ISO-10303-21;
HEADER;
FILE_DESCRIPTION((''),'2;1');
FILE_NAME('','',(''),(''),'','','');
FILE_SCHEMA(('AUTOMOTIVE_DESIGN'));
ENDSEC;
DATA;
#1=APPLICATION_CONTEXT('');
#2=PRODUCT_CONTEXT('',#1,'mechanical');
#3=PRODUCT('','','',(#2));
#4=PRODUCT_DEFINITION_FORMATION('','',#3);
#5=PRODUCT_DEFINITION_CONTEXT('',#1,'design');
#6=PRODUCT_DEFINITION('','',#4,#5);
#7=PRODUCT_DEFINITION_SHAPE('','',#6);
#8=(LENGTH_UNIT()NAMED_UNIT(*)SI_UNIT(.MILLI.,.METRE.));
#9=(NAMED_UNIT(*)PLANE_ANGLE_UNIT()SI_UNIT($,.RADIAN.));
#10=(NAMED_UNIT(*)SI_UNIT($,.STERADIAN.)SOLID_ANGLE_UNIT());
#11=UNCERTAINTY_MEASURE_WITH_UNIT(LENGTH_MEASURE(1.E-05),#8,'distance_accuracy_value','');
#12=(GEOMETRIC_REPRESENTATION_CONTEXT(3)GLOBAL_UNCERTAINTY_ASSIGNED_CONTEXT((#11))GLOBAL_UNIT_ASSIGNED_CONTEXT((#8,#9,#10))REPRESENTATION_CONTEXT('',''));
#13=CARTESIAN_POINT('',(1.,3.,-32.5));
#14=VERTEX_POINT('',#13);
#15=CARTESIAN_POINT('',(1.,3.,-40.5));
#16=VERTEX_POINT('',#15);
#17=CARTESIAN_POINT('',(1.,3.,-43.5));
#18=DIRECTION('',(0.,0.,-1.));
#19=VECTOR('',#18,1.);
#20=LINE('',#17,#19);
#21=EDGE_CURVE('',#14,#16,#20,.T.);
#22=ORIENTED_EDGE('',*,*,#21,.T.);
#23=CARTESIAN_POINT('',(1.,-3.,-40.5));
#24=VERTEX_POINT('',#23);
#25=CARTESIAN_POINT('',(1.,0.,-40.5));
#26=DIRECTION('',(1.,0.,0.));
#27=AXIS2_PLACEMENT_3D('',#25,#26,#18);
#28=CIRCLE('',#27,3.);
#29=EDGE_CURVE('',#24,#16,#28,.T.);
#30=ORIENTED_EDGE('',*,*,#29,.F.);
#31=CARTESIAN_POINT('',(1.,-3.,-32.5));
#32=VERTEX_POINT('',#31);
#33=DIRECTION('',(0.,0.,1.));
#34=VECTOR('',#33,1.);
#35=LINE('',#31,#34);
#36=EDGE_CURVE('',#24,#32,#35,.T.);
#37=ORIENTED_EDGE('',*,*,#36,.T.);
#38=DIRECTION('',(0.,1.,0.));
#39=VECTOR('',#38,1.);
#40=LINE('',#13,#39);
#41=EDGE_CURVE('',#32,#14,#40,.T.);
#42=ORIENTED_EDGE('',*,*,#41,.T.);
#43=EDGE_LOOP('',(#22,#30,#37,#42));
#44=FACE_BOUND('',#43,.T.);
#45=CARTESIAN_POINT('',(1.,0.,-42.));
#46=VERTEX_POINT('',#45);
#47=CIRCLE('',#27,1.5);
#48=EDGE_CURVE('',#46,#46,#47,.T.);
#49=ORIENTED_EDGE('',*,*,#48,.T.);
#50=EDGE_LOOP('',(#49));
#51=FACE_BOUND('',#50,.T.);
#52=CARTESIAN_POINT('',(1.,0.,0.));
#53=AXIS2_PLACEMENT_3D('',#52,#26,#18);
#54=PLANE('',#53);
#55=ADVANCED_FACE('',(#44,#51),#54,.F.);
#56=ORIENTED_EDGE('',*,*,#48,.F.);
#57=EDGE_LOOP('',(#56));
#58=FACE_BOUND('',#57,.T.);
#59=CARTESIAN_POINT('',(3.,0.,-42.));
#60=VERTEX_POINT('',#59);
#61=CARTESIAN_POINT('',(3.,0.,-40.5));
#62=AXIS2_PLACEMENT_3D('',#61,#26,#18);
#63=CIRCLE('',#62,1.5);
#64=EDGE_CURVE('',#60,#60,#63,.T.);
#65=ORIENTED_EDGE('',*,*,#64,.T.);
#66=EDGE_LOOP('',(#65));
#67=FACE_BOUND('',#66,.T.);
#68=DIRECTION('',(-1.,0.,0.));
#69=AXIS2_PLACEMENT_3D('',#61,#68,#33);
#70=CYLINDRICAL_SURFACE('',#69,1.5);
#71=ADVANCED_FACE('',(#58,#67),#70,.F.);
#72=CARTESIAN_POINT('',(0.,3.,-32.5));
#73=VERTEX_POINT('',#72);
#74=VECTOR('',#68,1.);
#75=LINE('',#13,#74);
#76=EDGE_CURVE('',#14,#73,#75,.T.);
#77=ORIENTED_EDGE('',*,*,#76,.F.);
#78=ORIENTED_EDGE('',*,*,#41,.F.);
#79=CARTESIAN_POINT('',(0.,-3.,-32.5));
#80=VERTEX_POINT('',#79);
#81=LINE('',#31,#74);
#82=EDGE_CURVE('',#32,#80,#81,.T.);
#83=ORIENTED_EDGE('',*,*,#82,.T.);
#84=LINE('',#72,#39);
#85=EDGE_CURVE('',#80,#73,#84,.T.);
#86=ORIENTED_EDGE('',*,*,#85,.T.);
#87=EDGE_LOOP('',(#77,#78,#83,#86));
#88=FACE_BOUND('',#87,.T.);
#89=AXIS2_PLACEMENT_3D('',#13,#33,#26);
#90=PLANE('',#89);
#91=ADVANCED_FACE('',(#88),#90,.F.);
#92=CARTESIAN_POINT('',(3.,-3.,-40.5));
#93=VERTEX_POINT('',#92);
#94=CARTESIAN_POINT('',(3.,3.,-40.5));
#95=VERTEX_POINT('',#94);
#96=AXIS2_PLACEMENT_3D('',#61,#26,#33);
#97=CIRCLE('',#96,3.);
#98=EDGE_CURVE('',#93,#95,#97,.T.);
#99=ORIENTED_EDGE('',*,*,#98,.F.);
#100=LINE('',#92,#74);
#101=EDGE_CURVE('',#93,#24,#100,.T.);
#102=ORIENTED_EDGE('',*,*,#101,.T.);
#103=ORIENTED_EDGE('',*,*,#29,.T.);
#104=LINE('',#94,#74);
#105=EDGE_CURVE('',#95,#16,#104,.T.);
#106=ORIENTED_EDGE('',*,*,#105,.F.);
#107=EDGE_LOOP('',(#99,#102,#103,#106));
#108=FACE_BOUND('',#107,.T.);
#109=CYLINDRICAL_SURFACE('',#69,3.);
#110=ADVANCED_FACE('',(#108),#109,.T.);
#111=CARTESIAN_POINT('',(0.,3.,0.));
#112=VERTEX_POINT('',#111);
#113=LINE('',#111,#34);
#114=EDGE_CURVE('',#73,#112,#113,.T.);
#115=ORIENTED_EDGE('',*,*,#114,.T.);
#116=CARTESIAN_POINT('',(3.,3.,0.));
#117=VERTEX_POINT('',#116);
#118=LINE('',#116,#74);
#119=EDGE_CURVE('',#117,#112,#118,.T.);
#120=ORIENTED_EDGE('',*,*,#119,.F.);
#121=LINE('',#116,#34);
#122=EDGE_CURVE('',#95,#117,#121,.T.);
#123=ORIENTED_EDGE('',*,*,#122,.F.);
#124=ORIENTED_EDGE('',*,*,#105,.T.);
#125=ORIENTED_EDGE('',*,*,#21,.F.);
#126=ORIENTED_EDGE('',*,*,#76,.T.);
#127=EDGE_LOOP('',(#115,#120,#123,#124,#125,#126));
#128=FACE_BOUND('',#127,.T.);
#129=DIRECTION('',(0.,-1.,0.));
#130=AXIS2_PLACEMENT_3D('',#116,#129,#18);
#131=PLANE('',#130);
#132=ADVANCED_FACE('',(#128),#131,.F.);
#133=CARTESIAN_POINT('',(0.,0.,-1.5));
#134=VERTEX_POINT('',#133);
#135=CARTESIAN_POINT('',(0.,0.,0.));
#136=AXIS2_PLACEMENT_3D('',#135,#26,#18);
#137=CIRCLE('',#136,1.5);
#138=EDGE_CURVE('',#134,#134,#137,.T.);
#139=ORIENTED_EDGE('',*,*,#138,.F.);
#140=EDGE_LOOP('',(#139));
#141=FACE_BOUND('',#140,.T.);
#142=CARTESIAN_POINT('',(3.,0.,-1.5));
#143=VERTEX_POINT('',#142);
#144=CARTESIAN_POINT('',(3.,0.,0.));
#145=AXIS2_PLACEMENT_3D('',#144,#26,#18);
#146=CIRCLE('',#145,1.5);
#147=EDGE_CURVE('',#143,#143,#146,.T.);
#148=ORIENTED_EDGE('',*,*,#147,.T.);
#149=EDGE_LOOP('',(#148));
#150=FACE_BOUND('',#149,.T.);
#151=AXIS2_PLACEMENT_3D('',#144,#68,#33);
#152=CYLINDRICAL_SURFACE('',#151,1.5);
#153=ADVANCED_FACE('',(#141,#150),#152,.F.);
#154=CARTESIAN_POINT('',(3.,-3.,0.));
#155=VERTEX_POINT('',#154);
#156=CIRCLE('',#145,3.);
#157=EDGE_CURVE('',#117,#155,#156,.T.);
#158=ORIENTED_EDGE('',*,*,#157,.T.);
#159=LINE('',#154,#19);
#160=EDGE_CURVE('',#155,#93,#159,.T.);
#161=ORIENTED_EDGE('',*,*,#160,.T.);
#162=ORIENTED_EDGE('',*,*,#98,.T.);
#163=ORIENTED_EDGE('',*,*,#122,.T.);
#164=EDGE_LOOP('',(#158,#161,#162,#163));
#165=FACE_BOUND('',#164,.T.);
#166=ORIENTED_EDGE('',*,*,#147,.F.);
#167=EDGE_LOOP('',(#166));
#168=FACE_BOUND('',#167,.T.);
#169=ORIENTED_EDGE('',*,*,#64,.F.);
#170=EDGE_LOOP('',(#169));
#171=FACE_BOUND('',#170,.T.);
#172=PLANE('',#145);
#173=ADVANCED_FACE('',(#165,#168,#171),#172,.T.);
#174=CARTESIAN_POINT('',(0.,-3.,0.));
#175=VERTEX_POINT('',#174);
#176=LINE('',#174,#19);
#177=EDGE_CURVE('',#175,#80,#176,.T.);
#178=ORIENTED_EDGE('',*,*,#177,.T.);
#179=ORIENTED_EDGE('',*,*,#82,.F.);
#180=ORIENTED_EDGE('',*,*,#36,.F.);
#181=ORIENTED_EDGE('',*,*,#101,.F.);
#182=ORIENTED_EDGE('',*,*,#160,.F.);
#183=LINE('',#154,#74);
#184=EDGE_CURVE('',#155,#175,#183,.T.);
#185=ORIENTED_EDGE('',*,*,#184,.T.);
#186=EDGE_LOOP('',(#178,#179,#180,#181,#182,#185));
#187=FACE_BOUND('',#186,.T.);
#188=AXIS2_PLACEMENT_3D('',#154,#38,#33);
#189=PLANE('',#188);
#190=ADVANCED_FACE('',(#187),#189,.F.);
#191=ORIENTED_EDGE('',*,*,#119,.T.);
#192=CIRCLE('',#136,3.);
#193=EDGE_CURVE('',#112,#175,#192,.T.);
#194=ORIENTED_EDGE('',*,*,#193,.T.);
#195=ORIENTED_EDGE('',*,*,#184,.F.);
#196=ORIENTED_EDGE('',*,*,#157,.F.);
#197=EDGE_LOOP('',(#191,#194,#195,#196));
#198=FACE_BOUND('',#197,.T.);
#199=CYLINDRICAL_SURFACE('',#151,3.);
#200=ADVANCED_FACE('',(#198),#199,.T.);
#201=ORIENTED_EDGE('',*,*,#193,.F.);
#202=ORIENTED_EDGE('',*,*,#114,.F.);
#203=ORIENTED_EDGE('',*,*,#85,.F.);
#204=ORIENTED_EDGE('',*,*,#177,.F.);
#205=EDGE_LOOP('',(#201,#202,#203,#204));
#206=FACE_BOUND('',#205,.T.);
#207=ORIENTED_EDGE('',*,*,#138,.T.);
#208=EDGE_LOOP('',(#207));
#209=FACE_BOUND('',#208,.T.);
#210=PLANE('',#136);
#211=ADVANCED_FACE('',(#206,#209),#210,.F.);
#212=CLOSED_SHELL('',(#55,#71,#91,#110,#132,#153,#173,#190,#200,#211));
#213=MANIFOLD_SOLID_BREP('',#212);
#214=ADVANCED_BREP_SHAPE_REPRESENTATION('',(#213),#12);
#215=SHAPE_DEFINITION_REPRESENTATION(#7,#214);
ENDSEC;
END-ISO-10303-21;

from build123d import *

# Parameters (mm, degrees)
SKETCH1_R           = 1.5
BOSS_EXTRUDE1_DEPTH = 3
SKETCH3_W           = 11
SKETCH3_H           = 6
CUT_EXTRUDE2_DEPTH  = 1


with BuildPart() as part:
    # Sketch1 → Boss-Extrude1 (new body)
    with BuildSketch(Plane(origin=(0, 0, 0), x_dir=(0, 0, -1), z_dir=(1, 0, 0))):
        with BuildLine():
            Line((0, 3), (40.5, 3))
            ThreePointArc((40.5, 3), (43.5, 0), (40.5, -3))
            Line((40.5, -3), (0, -3))
            ThreePointArc((0, -3), (-3, 0), (0, 3))
        make_face()
        Circle(SKETCH1_R, mode=Mode.SUBTRACT)
        with Locations((40.5, 0)):
            Circle(SKETCH1_R, mode=Mode.SUBTRACT)
    extrude(amount=BOSS_EXTRUDE1_DEPTH)

    # Sketch3 → Cut-Extrude2 (cut)
    with BuildSketch(Plane.ZY):
        with Locations((-38, 0)):
            Rectangle(SKETCH3_W, SKETCH3_H)
    extrude(amount=-CUT_EXTRUDE2_DEPTH, mode=Mode.SUBTRACT)


solid = part.part
